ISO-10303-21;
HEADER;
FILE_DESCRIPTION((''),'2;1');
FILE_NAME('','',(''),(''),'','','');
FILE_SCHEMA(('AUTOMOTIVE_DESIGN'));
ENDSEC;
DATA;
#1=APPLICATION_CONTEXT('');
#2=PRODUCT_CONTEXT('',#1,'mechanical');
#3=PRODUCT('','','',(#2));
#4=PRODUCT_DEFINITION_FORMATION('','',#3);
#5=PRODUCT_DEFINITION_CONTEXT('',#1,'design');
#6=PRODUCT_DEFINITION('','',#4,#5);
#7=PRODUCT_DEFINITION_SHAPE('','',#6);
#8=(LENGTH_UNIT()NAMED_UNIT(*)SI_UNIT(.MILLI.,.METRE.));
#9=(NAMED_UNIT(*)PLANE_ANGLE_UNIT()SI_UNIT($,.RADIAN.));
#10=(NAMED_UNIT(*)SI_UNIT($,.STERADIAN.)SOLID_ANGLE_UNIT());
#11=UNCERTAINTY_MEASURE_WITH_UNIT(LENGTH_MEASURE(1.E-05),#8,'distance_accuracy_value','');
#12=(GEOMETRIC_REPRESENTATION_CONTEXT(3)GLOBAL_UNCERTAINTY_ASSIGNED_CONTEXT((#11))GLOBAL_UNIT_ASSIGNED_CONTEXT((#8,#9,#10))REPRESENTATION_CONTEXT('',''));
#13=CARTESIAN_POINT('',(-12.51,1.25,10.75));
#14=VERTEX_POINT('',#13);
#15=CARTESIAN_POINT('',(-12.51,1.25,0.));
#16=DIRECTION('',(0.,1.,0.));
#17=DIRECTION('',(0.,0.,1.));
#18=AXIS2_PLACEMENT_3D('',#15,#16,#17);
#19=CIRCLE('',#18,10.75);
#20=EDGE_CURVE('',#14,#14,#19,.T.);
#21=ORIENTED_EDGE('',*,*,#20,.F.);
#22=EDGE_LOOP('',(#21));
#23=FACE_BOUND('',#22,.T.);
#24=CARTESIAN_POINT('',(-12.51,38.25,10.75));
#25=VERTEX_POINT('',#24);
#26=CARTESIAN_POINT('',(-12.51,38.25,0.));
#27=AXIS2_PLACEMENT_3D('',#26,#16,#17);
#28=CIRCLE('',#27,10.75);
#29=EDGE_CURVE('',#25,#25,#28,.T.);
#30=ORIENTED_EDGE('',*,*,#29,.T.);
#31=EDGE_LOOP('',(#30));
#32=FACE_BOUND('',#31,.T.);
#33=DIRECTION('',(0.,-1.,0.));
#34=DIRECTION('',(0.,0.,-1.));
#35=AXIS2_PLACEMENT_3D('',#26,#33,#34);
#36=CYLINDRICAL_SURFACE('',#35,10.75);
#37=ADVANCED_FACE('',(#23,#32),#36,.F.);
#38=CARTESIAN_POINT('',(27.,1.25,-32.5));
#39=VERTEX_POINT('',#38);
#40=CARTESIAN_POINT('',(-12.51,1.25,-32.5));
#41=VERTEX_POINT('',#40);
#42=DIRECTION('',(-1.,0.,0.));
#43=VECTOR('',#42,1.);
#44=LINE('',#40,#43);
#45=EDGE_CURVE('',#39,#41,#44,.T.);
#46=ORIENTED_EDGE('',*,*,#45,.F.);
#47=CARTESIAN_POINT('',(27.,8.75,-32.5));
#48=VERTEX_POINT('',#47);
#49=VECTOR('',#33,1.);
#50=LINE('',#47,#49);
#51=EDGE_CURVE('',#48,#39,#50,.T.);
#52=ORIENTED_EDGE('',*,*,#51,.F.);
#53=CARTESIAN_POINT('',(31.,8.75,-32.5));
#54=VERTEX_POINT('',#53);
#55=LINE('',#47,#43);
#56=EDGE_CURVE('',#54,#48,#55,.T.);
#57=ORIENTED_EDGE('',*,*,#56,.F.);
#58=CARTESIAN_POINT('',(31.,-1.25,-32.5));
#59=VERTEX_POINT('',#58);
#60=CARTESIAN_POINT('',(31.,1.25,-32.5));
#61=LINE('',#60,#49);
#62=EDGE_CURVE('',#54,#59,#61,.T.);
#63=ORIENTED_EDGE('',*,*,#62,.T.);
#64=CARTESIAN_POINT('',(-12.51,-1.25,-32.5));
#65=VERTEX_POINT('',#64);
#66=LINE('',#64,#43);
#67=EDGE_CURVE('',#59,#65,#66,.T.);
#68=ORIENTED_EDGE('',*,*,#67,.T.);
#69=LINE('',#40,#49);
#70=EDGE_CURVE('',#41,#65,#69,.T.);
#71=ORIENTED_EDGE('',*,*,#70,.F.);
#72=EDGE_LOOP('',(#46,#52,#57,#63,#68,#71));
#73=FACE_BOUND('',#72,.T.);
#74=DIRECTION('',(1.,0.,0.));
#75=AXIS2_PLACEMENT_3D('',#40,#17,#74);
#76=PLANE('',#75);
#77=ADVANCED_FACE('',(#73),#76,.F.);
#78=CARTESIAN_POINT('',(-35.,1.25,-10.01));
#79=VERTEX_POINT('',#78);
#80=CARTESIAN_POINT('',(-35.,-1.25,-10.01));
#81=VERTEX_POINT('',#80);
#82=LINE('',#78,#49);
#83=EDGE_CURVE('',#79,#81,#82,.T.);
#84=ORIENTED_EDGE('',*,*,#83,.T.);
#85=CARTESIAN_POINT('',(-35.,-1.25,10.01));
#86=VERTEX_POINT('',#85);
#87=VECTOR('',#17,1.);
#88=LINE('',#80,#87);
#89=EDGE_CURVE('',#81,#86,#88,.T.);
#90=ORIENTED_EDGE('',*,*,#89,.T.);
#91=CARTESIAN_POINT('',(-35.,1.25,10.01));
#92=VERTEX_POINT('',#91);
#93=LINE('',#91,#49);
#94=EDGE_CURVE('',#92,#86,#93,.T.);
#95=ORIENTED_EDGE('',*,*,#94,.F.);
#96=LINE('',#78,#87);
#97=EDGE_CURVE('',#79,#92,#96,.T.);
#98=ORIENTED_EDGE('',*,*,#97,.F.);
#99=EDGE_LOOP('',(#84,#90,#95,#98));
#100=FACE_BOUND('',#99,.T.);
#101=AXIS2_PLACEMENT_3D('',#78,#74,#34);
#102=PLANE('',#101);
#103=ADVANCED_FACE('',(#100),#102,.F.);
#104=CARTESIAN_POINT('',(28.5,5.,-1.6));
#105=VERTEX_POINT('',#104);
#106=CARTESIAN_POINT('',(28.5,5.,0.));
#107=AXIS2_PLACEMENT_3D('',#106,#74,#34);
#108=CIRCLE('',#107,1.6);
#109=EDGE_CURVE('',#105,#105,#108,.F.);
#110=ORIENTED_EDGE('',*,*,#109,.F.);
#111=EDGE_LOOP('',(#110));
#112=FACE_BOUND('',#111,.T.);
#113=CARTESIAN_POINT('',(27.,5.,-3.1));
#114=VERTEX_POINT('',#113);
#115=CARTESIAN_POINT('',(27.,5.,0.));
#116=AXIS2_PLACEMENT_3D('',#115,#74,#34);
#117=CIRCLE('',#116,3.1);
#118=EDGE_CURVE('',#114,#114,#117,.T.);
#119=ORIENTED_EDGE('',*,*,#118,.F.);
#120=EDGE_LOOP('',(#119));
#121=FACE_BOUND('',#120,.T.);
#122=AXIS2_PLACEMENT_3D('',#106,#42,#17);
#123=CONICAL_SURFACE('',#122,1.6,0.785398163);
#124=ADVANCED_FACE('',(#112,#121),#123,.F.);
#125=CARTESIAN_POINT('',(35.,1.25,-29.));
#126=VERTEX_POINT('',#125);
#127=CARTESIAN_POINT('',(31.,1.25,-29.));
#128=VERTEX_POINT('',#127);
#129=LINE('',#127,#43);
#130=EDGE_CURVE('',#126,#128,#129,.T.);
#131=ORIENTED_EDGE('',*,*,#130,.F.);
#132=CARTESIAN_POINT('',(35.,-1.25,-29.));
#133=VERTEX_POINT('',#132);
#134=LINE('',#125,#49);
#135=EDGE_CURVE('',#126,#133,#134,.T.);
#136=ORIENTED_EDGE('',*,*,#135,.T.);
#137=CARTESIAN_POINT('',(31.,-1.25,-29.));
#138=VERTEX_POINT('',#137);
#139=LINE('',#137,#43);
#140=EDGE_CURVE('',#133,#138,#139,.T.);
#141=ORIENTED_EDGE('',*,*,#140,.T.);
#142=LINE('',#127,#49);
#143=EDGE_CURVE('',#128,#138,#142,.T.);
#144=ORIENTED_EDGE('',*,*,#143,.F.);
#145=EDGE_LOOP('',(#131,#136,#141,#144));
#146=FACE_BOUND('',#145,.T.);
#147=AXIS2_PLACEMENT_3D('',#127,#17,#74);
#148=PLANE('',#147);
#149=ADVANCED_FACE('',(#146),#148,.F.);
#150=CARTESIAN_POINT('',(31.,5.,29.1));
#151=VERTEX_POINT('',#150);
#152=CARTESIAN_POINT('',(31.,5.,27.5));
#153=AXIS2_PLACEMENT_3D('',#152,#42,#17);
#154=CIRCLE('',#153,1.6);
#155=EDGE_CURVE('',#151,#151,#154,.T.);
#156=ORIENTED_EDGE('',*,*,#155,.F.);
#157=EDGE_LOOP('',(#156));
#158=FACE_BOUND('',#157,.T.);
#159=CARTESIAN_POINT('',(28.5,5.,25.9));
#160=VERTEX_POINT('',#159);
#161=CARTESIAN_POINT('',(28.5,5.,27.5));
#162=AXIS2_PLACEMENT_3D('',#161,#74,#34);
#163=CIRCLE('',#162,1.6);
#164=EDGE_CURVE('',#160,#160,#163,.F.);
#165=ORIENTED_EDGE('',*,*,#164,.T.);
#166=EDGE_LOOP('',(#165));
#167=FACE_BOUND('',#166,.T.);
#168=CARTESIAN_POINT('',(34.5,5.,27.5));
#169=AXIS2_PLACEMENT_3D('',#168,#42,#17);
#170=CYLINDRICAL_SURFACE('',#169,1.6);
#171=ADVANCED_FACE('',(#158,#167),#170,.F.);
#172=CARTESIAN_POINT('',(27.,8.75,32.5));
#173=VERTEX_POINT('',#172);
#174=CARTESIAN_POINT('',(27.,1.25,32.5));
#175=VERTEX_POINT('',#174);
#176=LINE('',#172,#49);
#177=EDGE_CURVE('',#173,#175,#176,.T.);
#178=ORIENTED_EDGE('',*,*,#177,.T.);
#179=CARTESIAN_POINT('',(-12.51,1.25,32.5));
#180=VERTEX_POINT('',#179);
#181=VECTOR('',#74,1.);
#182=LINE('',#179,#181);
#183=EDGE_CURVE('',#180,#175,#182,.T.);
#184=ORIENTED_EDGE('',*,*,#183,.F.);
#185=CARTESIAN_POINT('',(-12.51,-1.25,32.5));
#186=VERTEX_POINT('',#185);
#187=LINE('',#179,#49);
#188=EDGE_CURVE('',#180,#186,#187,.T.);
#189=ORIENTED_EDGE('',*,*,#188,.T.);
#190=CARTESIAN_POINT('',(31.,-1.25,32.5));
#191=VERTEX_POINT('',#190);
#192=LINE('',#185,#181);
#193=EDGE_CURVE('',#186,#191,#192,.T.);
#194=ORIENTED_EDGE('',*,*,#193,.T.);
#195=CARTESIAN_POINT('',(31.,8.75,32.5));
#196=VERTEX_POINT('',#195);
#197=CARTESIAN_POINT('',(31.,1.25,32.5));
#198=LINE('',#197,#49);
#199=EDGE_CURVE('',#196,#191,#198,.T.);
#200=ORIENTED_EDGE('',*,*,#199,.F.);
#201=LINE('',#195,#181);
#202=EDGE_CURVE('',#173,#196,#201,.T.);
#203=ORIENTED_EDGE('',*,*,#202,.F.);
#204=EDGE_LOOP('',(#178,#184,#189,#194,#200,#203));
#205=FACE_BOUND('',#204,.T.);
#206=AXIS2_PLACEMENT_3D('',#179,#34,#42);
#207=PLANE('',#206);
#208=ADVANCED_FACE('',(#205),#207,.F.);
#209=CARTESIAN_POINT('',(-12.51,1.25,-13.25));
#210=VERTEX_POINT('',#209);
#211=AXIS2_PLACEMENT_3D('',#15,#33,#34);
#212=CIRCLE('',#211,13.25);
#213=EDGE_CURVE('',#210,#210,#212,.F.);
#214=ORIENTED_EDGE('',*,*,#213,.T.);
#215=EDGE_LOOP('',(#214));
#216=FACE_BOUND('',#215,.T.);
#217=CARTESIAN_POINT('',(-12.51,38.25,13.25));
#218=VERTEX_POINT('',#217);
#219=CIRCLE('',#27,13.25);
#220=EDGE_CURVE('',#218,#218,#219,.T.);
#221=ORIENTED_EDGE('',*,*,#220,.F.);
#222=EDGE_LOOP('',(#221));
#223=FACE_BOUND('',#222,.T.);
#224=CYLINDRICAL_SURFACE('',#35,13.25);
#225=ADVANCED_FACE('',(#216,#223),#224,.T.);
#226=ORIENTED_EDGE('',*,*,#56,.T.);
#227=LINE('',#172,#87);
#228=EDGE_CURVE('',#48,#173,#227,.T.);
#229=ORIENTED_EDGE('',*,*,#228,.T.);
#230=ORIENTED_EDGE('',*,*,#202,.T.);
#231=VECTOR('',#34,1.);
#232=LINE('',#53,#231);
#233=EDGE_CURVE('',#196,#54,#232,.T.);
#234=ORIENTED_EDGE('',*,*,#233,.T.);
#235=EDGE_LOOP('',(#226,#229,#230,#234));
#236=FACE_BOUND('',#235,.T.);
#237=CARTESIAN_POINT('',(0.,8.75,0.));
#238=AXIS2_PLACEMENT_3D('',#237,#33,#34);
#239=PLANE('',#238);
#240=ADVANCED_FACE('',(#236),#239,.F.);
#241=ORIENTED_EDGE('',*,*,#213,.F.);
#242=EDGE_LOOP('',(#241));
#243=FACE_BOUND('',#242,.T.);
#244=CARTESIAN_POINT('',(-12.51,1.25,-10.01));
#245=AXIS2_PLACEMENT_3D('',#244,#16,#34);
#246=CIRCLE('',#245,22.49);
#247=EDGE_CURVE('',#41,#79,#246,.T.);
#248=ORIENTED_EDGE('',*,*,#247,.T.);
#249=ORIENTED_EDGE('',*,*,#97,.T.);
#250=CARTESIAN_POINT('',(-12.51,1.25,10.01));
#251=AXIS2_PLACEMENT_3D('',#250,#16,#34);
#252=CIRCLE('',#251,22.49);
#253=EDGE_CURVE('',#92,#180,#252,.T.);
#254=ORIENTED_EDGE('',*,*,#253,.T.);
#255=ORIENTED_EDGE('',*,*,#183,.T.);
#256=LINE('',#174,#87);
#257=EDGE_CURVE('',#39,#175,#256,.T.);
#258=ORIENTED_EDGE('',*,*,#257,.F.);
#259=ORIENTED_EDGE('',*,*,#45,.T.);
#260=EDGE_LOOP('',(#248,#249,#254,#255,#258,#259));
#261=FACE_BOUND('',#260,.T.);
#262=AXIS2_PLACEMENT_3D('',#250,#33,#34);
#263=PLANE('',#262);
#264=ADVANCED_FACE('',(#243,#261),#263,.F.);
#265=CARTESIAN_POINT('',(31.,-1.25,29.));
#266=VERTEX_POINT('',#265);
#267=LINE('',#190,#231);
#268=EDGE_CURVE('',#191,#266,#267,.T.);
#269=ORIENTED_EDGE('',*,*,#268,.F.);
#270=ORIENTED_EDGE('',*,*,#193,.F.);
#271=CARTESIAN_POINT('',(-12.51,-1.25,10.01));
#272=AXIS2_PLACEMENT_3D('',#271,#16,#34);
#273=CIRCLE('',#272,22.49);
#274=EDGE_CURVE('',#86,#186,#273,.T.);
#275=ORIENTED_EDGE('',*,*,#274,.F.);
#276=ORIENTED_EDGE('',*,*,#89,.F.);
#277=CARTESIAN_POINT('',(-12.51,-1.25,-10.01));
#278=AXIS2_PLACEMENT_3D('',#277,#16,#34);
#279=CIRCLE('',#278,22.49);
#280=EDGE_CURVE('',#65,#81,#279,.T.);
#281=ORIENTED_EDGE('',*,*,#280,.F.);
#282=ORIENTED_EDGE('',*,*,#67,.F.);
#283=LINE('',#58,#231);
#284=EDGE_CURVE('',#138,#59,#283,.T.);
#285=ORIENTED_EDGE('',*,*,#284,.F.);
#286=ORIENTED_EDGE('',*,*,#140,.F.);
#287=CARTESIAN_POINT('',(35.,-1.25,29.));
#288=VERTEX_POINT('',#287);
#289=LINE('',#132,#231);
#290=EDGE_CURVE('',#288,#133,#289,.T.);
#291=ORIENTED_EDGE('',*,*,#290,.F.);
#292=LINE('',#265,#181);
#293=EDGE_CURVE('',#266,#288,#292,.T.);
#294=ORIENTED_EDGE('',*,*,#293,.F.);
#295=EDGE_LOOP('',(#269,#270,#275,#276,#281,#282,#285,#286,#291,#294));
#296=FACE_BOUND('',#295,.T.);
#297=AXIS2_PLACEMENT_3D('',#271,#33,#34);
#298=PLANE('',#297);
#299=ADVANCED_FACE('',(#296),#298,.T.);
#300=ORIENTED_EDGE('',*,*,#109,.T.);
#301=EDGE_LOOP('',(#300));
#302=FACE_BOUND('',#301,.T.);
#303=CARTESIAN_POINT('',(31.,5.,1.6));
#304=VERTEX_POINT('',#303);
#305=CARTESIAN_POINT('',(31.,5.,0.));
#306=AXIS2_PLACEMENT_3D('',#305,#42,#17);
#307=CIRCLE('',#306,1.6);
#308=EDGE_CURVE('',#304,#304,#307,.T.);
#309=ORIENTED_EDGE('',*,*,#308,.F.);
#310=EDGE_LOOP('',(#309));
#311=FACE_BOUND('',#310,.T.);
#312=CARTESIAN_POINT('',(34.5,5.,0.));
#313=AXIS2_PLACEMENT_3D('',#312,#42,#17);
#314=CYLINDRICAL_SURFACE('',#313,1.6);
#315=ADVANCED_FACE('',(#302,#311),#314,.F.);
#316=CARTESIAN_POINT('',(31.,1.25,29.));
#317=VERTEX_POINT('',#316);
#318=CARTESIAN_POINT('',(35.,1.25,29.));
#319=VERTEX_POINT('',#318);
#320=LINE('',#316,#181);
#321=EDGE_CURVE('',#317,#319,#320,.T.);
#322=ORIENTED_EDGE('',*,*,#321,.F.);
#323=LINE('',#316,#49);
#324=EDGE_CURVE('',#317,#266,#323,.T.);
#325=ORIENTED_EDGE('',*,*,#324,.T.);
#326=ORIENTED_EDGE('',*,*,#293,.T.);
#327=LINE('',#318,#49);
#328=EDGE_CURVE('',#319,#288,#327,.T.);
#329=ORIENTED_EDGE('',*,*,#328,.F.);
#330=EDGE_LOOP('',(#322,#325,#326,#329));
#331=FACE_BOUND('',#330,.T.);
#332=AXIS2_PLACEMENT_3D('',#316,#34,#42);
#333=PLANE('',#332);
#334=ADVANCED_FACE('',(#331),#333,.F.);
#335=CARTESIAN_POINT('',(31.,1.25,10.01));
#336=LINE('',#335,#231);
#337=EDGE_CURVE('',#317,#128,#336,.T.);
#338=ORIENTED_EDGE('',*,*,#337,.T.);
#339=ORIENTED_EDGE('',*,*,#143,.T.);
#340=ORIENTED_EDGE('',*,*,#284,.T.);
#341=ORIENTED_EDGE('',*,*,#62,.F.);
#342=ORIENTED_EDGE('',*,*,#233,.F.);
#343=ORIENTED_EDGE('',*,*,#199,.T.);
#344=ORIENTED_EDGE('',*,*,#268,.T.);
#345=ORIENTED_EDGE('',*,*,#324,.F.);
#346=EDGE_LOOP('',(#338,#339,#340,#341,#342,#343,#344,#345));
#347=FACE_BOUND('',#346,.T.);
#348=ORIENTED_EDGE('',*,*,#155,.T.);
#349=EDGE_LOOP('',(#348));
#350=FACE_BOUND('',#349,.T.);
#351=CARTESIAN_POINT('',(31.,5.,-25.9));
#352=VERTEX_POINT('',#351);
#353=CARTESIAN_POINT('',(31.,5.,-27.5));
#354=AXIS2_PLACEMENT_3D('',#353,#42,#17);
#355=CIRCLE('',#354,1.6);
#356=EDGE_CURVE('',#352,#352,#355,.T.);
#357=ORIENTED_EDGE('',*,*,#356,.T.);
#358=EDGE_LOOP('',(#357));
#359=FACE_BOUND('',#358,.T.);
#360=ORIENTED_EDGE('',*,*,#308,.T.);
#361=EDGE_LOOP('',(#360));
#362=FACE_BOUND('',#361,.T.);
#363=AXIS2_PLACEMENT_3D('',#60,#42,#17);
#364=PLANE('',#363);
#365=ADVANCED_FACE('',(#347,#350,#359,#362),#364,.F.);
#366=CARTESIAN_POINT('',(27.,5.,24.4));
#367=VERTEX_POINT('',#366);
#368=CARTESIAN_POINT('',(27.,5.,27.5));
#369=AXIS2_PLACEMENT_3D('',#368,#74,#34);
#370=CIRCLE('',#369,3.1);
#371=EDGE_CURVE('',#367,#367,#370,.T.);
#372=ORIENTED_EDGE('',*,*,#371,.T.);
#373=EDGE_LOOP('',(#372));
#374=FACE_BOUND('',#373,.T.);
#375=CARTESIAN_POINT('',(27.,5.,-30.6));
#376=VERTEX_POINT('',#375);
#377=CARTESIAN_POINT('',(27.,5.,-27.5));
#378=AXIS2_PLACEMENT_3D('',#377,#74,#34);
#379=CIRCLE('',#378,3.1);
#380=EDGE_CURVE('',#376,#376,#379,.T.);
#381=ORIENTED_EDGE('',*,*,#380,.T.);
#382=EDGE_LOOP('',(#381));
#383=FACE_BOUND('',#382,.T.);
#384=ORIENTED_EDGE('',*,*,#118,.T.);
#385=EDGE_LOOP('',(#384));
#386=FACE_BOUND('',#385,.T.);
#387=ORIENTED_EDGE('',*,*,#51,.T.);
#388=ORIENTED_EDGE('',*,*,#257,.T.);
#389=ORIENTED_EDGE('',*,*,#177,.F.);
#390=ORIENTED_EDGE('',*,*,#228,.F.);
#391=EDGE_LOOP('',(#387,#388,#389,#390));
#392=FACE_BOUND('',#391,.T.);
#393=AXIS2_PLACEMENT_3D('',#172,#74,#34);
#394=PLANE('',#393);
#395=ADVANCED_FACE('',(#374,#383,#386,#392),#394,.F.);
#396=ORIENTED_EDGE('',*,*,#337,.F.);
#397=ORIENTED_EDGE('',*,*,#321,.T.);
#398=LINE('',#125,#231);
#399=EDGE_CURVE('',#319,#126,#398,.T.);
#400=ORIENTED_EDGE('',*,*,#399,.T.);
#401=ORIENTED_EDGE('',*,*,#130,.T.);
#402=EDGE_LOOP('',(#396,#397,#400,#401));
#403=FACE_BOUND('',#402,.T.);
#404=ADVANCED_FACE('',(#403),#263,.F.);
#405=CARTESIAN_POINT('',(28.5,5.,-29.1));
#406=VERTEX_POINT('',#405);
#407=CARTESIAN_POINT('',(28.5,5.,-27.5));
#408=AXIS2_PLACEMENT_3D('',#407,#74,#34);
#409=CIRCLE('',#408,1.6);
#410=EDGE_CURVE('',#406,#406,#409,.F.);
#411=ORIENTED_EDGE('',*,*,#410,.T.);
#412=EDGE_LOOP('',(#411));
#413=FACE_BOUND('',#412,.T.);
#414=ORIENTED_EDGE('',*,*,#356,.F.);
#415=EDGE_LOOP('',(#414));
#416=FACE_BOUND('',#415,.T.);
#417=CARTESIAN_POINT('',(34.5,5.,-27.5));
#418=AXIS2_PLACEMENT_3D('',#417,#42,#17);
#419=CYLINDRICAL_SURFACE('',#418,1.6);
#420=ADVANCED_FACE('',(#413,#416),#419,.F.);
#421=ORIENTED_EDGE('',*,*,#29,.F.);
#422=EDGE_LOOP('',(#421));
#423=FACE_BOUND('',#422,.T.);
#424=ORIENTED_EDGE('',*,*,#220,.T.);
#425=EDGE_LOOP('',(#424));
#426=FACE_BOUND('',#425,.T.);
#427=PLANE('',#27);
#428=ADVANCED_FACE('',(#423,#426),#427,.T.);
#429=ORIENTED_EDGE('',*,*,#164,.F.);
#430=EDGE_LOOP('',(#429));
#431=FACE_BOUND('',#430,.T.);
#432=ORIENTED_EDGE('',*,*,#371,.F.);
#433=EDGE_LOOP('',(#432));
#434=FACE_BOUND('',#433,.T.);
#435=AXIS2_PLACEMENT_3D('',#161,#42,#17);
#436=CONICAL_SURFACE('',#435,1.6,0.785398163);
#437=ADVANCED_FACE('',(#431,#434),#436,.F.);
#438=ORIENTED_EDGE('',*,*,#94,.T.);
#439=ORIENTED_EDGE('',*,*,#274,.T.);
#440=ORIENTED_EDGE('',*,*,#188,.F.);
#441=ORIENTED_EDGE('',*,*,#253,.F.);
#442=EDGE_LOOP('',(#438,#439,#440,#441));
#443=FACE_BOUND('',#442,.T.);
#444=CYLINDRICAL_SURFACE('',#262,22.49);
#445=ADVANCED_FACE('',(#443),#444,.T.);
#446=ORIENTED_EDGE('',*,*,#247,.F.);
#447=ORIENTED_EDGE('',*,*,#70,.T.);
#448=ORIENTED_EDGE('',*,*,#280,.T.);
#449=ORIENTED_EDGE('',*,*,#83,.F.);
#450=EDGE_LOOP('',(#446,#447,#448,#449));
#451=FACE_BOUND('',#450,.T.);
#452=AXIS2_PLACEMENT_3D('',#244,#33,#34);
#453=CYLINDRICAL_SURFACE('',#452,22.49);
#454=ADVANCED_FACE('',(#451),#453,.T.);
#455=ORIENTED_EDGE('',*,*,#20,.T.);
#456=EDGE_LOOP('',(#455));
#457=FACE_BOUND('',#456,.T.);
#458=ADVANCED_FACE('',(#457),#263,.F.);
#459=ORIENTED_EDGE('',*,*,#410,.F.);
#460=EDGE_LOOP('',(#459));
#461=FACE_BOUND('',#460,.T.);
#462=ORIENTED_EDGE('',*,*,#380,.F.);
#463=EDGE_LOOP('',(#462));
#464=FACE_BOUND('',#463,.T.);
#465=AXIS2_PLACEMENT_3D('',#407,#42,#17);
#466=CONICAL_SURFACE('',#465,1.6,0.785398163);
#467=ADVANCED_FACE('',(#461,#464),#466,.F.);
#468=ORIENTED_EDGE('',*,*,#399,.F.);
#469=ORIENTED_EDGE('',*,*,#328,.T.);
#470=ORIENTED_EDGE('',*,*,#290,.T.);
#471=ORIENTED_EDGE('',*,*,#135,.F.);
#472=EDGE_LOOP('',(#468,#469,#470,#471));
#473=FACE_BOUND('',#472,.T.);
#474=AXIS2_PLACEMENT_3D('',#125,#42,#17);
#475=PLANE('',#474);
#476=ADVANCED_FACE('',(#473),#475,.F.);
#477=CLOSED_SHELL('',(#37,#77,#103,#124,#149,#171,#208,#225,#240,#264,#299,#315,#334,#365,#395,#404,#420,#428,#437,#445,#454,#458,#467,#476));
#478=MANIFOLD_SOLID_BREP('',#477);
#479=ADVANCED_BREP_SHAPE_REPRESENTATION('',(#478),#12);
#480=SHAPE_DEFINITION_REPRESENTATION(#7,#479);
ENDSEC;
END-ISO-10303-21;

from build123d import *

# Parameters (mm, degrees)
BOSS_EXTRUDE1_DEPTH = 1.25
SKETCH3_R           = 13.25
SKETCH3_R_2         = 10.75
BOSS_EXTRUDE2_DEPTH = 37
SKETCH4_W           = 4
SKETCH4_H           = 65
BOSS_EXTRUDE3_DEPTH = 7.5
SKETCH5_R           = 1.6
CUT_EXTRUDE1_DEPTH  = 7.5
CHAMFER1_SIZE       = 1.5


with BuildPart() as part:
    # Sketch1 → Boss-Extrude1 (new, symmetric)
    with BuildSketch(Plane(origin=(0, 0, 0), x_dir=(1, 0, 0), z_dir=(0, 1, 0))):
        with BuildLine():
            Line((31, 32.5), (31, 29))
            Line((31, 29), (35, 29))
            Line((35, 29), (35, -29))
            Line((35, -29), (31, -29))
            Line((31, -29), (31, -32.5))
            Line((31, -32.5), (-12.51, -32.5))
            ThreePointArc((-12.51, -32.5), (-28.412831509, -25.912831509), (-35, -10.01))
            Line((-35, -10.01), (-35, 10.01))
            ThreePointArc((-35, 10.01), (-28.412831509, 25.912831509), (-12.51, 32.5))
            Line((-12.51, 32.5), (31, 32.5))
        make_face()
    extrude(amount=BOSS_EXTRUDE1_DEPTH, both=True)

    # Sketch3 → Boss-Extrude2 (add)
    with BuildSketch(Plane(origin=(0, 1.25, 0), x_dir=(1, 0, 0), z_dir=(0, 1, 0))):
        with Locations(Location((-12.51, 0, 0), (0, 0, 90))):
            Circle(SKETCH3_R)
        with Locations(Location((-12.51, 0, 0), (0, 0, 270))):
            Circle(SKETCH3_R_2, mode=Mode.SUBTRACT)
    extrude(amount=BOSS_EXTRUDE2_DEPTH)

    # Sketch4 → Boss-Extrude3 (add)
    with BuildSketch(Plane(origin=(0, 1.25, 0), x_dir=(1, 0, 0), z_dir=(0, 1, 0))):
        with Locations((29, 0)):
            Rectangle(SKETCH4_W, SKETCH4_H)
    extrude(amount=BOSS_EXTRUDE3_DEPTH)

    # Sketch5 → Cut-Extrude1 (cut)
    with BuildSketch(Plane.ZY.offset(-27)):
        with Locations((-27.5, 5)):
            Circle(SKETCH5_R)
        with Locations((0, 5)):
            Circle(SKETCH5_R)
        with Locations((27.5, 5)):
            Circle(SKETCH5_R)
    extrude(amount=-CUT_EXTRUDE1_DEPTH, mode=Mode.SUBTRACT)

    # Chamfer1
    chamfer1_edges = [part.edges().sort_by_distance(p)[0] for p in [
        (27, 5, -29.1),
        (27, 5, -1.6),
        (27, 5, 25.9),
    ]]
    chamfer(chamfer1_edges, length=CHAMFER1_SIZE)


solid = part.part
